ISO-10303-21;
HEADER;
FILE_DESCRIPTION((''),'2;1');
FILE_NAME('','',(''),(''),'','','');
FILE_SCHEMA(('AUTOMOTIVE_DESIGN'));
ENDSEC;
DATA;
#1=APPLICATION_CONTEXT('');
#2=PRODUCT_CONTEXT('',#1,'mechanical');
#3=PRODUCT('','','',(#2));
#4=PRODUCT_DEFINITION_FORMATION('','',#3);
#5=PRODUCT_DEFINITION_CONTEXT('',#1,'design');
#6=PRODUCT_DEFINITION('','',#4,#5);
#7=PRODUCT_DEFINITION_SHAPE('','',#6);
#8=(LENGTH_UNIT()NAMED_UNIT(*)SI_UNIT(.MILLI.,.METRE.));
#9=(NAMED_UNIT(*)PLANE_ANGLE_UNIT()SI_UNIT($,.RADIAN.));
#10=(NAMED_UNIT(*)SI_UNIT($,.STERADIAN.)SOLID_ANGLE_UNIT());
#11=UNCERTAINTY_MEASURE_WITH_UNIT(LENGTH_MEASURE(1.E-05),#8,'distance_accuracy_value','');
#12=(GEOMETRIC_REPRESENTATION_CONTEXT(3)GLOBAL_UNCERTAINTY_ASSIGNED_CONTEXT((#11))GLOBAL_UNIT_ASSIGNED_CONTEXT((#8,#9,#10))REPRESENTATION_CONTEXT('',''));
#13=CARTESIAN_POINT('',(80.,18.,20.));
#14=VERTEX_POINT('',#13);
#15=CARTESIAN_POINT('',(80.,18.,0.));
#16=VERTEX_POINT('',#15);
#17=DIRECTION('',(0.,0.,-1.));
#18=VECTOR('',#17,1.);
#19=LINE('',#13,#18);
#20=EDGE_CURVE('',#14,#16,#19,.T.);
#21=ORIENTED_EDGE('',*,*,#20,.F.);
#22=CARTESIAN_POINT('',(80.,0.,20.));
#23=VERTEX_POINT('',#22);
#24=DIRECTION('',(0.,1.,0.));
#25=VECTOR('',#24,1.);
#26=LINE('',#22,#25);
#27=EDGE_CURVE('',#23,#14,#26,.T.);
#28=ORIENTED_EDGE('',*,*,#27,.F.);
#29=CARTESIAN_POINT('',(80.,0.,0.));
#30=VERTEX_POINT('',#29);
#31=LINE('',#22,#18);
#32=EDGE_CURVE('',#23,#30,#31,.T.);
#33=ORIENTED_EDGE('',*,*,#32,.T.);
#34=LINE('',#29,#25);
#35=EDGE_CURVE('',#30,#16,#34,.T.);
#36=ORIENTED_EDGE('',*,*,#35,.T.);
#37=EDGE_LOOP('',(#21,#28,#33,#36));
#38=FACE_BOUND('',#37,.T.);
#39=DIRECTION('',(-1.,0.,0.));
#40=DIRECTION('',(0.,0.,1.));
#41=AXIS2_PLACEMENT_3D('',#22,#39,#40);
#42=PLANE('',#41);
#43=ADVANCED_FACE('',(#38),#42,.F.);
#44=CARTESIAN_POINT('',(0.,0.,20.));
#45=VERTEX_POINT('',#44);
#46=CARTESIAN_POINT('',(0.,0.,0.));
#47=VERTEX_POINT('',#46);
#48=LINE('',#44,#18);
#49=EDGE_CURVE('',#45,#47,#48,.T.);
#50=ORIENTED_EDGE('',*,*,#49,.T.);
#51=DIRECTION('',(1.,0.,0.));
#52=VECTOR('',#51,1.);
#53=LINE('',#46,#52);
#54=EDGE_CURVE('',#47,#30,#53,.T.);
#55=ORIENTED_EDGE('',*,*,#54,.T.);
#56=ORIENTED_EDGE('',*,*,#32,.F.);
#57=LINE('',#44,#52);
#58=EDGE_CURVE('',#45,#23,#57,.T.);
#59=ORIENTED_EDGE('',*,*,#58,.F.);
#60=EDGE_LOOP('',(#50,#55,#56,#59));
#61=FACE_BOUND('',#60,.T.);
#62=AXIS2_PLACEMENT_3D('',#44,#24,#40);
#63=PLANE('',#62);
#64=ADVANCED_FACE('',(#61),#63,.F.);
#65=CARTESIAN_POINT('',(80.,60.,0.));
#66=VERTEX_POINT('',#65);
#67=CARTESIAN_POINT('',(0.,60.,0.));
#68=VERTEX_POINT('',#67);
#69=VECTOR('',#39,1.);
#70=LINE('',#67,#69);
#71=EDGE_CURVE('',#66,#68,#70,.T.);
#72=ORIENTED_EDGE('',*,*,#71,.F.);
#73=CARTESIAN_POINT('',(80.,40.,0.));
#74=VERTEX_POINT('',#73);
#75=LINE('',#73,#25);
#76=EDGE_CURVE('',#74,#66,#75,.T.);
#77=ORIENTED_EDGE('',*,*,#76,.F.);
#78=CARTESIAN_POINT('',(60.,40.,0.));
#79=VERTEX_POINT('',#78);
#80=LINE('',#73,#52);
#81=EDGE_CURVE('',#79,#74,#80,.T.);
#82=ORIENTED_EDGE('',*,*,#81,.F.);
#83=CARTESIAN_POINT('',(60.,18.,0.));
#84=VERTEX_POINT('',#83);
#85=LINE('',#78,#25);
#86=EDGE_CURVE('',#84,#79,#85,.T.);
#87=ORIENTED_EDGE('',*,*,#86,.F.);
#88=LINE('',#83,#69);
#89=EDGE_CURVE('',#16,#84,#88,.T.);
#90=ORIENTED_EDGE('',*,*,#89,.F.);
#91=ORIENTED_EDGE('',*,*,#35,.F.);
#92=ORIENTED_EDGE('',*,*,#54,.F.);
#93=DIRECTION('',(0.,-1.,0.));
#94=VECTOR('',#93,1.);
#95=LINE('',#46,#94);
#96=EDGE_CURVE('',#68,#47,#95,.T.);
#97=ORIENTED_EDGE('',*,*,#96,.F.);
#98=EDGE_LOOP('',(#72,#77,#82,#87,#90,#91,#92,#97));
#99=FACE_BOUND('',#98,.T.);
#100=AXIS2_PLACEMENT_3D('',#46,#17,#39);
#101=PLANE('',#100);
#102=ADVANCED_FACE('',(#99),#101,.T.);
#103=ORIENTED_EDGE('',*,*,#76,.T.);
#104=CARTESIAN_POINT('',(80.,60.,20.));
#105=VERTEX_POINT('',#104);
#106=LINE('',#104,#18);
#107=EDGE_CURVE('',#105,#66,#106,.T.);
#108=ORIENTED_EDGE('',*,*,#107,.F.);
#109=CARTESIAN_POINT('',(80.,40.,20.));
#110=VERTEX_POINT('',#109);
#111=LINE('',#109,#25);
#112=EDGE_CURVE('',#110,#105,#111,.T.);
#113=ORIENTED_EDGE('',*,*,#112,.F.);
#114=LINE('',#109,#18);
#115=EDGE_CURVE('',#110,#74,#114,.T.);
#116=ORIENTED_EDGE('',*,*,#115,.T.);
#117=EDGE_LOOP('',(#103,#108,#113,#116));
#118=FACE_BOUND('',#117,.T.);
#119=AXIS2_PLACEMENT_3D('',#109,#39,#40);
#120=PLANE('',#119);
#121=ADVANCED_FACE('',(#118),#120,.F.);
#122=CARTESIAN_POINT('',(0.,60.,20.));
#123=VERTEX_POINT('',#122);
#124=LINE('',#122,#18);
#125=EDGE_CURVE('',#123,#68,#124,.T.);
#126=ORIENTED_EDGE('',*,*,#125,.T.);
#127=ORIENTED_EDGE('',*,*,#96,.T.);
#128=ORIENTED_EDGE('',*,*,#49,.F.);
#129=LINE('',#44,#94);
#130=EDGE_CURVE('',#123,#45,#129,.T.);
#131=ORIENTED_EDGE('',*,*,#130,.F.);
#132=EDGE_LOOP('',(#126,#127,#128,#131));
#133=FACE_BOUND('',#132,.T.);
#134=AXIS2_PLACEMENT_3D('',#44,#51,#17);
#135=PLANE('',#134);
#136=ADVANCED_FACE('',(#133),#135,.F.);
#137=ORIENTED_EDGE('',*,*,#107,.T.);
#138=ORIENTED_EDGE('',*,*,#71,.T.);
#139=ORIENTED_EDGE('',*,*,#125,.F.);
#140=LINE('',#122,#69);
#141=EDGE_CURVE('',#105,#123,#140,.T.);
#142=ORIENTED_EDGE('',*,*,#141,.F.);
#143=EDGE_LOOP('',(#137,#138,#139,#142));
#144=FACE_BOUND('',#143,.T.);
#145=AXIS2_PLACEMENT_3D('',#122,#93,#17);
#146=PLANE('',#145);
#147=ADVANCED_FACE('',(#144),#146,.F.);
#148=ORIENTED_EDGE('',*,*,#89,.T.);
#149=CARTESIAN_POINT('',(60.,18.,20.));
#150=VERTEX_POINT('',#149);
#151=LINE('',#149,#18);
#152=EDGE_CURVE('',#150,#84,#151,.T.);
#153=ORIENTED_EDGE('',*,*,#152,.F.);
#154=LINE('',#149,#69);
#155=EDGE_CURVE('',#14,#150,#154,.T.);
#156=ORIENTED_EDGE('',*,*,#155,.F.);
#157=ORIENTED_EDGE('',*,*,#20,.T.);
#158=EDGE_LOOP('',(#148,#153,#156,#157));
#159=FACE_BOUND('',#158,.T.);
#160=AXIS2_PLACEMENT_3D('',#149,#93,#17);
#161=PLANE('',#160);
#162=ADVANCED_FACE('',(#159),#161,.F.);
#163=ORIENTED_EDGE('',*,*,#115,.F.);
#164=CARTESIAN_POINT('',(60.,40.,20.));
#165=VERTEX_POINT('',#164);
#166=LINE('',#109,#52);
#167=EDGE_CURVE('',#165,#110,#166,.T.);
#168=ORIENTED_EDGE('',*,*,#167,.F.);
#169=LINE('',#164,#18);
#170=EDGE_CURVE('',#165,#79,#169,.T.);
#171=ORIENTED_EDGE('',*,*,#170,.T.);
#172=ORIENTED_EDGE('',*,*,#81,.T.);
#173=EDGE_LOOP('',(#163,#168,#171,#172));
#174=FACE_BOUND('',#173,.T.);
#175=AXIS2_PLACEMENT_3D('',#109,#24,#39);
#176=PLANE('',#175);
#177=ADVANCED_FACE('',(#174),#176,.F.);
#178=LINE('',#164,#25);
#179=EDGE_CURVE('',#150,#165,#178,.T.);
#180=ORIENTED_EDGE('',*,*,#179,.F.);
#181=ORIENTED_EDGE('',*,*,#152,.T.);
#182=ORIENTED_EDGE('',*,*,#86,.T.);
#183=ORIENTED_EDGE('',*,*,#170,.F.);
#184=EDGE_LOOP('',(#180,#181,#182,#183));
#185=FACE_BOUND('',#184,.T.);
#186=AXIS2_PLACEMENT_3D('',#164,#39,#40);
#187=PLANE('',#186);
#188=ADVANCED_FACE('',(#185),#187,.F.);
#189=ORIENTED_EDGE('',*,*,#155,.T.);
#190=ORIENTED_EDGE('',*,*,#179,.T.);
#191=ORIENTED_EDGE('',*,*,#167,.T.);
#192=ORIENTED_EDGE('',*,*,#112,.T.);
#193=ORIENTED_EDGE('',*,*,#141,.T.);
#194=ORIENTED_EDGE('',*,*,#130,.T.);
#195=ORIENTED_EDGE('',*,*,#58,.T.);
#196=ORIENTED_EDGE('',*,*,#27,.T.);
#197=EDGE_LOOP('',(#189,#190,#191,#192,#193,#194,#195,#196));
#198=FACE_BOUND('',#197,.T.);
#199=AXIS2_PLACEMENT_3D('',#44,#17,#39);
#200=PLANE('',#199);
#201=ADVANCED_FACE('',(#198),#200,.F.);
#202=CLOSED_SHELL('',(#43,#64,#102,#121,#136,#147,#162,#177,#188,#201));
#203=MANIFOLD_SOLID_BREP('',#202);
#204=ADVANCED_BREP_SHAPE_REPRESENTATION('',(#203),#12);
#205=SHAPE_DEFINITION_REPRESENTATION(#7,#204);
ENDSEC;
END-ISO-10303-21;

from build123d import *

# Parameters (mm, degrees)
BOSS_EXTRUDE1_DEPTH = 20


with BuildPart() as part:
    # Sketch1 → Boss-Extrude1 (new body)
    with BuildSketch(Plane.XY):
        Polygon((80, 40), (60, 40), (60, 18), (80, 18), (80, 0), (0, 0), (0, 60), (80, 60), align=None)
    extrude(amount=BOSS_EXTRUDE1_DEPTH)


solid = part.part
